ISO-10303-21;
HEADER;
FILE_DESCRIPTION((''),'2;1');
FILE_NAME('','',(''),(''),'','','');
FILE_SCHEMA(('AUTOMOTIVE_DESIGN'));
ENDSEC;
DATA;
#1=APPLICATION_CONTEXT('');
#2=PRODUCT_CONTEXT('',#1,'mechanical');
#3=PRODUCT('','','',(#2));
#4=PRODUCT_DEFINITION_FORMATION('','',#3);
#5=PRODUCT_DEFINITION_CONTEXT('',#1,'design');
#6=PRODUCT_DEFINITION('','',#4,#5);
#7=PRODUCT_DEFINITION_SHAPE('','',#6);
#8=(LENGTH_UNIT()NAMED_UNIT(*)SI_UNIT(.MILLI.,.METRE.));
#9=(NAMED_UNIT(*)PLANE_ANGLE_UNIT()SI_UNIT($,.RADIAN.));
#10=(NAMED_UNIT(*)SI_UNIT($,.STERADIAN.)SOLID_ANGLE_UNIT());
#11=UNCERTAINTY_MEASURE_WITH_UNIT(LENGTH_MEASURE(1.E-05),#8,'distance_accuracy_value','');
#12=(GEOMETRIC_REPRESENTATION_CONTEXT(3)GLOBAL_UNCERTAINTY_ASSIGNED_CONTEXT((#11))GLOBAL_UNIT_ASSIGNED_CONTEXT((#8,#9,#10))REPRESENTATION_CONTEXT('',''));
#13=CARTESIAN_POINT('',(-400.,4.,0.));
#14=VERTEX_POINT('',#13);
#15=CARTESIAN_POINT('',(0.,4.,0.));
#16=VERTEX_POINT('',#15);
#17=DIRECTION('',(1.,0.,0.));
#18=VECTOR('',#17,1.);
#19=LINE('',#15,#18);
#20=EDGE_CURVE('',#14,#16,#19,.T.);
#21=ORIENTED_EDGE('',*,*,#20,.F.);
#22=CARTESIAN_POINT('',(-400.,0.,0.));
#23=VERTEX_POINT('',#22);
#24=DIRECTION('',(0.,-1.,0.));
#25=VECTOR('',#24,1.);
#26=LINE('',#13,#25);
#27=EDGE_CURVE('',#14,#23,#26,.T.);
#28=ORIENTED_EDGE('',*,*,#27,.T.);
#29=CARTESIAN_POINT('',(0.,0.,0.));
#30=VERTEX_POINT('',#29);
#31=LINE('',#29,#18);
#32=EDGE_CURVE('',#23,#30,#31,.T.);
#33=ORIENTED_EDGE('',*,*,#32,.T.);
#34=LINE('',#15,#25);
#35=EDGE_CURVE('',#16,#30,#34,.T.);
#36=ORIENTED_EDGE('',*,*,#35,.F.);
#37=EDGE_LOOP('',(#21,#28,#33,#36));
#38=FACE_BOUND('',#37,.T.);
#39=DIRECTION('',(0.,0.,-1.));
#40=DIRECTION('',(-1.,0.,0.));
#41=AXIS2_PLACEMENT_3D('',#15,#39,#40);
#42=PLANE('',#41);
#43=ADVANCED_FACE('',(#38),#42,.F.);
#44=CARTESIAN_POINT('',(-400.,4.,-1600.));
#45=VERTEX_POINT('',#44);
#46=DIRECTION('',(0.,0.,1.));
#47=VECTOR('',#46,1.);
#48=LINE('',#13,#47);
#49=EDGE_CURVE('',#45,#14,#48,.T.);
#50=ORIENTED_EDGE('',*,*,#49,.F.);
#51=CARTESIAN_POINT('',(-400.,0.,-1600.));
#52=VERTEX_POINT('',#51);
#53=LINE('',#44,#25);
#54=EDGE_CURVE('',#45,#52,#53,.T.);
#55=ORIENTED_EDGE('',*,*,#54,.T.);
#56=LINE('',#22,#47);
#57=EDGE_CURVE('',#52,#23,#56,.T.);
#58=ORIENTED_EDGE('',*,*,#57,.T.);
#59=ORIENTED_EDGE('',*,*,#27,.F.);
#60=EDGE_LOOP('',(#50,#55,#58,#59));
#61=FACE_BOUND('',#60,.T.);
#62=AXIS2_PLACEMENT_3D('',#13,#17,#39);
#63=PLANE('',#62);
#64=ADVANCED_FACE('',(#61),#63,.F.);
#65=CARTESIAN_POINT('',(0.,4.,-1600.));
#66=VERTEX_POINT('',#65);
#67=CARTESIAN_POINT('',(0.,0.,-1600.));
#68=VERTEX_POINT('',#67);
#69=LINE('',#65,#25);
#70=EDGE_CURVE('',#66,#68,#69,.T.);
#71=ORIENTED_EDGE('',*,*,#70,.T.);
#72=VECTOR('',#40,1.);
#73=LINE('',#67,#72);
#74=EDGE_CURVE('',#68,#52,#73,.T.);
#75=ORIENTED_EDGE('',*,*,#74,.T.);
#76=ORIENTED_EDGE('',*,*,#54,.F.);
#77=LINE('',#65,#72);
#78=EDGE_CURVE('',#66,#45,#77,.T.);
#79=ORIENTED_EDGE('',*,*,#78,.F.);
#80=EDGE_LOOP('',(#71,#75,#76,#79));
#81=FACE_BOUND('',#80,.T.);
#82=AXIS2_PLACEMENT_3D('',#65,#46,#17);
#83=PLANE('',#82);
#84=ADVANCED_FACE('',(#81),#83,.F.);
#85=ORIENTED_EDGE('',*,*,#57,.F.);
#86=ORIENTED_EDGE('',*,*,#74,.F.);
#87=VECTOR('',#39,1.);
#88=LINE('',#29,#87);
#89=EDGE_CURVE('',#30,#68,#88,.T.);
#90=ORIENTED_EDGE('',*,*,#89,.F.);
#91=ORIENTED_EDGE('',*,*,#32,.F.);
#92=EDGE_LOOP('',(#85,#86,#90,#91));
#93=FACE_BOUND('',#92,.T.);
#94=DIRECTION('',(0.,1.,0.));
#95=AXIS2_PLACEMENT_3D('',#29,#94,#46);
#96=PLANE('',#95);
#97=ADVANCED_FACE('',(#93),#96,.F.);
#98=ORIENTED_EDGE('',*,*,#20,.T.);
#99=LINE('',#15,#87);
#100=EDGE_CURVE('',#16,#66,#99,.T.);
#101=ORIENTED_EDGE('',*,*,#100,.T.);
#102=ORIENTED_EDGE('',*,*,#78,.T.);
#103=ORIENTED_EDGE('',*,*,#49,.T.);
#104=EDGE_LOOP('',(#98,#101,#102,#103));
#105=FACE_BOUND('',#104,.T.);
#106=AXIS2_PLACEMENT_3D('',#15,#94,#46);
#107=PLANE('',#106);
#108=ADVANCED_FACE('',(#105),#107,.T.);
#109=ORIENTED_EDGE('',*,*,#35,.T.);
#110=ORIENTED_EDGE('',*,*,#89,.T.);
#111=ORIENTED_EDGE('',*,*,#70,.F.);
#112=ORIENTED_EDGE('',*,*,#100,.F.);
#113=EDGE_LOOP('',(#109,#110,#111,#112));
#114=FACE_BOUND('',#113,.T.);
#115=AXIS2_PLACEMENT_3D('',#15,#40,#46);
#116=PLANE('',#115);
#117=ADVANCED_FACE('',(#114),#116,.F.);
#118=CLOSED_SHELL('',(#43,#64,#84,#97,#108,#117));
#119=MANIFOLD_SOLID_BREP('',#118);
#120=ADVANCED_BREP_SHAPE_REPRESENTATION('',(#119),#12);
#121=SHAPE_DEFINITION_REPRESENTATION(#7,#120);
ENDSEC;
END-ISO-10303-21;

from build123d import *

# Parameters (mm, degrees)
SKETCH_1_W      = 400
SKETCH_1_H      = 1600
EXTRUDE_1_DEPTH = 4


with BuildPart() as part:
    # 草图1 → 凸台-拉伸1 (new body)
    with BuildSketch(Plane(origin=(0, 0, 0), x_dir=(1, 0, 0), z_dir=(0, 1, 0))):
        with Locations((-200, 800)):
            Rectangle(SKETCH_1_W, SKETCH_1_H)
    extrude(amount=EXTRUDE_1_DEPTH)


solid = part.part
